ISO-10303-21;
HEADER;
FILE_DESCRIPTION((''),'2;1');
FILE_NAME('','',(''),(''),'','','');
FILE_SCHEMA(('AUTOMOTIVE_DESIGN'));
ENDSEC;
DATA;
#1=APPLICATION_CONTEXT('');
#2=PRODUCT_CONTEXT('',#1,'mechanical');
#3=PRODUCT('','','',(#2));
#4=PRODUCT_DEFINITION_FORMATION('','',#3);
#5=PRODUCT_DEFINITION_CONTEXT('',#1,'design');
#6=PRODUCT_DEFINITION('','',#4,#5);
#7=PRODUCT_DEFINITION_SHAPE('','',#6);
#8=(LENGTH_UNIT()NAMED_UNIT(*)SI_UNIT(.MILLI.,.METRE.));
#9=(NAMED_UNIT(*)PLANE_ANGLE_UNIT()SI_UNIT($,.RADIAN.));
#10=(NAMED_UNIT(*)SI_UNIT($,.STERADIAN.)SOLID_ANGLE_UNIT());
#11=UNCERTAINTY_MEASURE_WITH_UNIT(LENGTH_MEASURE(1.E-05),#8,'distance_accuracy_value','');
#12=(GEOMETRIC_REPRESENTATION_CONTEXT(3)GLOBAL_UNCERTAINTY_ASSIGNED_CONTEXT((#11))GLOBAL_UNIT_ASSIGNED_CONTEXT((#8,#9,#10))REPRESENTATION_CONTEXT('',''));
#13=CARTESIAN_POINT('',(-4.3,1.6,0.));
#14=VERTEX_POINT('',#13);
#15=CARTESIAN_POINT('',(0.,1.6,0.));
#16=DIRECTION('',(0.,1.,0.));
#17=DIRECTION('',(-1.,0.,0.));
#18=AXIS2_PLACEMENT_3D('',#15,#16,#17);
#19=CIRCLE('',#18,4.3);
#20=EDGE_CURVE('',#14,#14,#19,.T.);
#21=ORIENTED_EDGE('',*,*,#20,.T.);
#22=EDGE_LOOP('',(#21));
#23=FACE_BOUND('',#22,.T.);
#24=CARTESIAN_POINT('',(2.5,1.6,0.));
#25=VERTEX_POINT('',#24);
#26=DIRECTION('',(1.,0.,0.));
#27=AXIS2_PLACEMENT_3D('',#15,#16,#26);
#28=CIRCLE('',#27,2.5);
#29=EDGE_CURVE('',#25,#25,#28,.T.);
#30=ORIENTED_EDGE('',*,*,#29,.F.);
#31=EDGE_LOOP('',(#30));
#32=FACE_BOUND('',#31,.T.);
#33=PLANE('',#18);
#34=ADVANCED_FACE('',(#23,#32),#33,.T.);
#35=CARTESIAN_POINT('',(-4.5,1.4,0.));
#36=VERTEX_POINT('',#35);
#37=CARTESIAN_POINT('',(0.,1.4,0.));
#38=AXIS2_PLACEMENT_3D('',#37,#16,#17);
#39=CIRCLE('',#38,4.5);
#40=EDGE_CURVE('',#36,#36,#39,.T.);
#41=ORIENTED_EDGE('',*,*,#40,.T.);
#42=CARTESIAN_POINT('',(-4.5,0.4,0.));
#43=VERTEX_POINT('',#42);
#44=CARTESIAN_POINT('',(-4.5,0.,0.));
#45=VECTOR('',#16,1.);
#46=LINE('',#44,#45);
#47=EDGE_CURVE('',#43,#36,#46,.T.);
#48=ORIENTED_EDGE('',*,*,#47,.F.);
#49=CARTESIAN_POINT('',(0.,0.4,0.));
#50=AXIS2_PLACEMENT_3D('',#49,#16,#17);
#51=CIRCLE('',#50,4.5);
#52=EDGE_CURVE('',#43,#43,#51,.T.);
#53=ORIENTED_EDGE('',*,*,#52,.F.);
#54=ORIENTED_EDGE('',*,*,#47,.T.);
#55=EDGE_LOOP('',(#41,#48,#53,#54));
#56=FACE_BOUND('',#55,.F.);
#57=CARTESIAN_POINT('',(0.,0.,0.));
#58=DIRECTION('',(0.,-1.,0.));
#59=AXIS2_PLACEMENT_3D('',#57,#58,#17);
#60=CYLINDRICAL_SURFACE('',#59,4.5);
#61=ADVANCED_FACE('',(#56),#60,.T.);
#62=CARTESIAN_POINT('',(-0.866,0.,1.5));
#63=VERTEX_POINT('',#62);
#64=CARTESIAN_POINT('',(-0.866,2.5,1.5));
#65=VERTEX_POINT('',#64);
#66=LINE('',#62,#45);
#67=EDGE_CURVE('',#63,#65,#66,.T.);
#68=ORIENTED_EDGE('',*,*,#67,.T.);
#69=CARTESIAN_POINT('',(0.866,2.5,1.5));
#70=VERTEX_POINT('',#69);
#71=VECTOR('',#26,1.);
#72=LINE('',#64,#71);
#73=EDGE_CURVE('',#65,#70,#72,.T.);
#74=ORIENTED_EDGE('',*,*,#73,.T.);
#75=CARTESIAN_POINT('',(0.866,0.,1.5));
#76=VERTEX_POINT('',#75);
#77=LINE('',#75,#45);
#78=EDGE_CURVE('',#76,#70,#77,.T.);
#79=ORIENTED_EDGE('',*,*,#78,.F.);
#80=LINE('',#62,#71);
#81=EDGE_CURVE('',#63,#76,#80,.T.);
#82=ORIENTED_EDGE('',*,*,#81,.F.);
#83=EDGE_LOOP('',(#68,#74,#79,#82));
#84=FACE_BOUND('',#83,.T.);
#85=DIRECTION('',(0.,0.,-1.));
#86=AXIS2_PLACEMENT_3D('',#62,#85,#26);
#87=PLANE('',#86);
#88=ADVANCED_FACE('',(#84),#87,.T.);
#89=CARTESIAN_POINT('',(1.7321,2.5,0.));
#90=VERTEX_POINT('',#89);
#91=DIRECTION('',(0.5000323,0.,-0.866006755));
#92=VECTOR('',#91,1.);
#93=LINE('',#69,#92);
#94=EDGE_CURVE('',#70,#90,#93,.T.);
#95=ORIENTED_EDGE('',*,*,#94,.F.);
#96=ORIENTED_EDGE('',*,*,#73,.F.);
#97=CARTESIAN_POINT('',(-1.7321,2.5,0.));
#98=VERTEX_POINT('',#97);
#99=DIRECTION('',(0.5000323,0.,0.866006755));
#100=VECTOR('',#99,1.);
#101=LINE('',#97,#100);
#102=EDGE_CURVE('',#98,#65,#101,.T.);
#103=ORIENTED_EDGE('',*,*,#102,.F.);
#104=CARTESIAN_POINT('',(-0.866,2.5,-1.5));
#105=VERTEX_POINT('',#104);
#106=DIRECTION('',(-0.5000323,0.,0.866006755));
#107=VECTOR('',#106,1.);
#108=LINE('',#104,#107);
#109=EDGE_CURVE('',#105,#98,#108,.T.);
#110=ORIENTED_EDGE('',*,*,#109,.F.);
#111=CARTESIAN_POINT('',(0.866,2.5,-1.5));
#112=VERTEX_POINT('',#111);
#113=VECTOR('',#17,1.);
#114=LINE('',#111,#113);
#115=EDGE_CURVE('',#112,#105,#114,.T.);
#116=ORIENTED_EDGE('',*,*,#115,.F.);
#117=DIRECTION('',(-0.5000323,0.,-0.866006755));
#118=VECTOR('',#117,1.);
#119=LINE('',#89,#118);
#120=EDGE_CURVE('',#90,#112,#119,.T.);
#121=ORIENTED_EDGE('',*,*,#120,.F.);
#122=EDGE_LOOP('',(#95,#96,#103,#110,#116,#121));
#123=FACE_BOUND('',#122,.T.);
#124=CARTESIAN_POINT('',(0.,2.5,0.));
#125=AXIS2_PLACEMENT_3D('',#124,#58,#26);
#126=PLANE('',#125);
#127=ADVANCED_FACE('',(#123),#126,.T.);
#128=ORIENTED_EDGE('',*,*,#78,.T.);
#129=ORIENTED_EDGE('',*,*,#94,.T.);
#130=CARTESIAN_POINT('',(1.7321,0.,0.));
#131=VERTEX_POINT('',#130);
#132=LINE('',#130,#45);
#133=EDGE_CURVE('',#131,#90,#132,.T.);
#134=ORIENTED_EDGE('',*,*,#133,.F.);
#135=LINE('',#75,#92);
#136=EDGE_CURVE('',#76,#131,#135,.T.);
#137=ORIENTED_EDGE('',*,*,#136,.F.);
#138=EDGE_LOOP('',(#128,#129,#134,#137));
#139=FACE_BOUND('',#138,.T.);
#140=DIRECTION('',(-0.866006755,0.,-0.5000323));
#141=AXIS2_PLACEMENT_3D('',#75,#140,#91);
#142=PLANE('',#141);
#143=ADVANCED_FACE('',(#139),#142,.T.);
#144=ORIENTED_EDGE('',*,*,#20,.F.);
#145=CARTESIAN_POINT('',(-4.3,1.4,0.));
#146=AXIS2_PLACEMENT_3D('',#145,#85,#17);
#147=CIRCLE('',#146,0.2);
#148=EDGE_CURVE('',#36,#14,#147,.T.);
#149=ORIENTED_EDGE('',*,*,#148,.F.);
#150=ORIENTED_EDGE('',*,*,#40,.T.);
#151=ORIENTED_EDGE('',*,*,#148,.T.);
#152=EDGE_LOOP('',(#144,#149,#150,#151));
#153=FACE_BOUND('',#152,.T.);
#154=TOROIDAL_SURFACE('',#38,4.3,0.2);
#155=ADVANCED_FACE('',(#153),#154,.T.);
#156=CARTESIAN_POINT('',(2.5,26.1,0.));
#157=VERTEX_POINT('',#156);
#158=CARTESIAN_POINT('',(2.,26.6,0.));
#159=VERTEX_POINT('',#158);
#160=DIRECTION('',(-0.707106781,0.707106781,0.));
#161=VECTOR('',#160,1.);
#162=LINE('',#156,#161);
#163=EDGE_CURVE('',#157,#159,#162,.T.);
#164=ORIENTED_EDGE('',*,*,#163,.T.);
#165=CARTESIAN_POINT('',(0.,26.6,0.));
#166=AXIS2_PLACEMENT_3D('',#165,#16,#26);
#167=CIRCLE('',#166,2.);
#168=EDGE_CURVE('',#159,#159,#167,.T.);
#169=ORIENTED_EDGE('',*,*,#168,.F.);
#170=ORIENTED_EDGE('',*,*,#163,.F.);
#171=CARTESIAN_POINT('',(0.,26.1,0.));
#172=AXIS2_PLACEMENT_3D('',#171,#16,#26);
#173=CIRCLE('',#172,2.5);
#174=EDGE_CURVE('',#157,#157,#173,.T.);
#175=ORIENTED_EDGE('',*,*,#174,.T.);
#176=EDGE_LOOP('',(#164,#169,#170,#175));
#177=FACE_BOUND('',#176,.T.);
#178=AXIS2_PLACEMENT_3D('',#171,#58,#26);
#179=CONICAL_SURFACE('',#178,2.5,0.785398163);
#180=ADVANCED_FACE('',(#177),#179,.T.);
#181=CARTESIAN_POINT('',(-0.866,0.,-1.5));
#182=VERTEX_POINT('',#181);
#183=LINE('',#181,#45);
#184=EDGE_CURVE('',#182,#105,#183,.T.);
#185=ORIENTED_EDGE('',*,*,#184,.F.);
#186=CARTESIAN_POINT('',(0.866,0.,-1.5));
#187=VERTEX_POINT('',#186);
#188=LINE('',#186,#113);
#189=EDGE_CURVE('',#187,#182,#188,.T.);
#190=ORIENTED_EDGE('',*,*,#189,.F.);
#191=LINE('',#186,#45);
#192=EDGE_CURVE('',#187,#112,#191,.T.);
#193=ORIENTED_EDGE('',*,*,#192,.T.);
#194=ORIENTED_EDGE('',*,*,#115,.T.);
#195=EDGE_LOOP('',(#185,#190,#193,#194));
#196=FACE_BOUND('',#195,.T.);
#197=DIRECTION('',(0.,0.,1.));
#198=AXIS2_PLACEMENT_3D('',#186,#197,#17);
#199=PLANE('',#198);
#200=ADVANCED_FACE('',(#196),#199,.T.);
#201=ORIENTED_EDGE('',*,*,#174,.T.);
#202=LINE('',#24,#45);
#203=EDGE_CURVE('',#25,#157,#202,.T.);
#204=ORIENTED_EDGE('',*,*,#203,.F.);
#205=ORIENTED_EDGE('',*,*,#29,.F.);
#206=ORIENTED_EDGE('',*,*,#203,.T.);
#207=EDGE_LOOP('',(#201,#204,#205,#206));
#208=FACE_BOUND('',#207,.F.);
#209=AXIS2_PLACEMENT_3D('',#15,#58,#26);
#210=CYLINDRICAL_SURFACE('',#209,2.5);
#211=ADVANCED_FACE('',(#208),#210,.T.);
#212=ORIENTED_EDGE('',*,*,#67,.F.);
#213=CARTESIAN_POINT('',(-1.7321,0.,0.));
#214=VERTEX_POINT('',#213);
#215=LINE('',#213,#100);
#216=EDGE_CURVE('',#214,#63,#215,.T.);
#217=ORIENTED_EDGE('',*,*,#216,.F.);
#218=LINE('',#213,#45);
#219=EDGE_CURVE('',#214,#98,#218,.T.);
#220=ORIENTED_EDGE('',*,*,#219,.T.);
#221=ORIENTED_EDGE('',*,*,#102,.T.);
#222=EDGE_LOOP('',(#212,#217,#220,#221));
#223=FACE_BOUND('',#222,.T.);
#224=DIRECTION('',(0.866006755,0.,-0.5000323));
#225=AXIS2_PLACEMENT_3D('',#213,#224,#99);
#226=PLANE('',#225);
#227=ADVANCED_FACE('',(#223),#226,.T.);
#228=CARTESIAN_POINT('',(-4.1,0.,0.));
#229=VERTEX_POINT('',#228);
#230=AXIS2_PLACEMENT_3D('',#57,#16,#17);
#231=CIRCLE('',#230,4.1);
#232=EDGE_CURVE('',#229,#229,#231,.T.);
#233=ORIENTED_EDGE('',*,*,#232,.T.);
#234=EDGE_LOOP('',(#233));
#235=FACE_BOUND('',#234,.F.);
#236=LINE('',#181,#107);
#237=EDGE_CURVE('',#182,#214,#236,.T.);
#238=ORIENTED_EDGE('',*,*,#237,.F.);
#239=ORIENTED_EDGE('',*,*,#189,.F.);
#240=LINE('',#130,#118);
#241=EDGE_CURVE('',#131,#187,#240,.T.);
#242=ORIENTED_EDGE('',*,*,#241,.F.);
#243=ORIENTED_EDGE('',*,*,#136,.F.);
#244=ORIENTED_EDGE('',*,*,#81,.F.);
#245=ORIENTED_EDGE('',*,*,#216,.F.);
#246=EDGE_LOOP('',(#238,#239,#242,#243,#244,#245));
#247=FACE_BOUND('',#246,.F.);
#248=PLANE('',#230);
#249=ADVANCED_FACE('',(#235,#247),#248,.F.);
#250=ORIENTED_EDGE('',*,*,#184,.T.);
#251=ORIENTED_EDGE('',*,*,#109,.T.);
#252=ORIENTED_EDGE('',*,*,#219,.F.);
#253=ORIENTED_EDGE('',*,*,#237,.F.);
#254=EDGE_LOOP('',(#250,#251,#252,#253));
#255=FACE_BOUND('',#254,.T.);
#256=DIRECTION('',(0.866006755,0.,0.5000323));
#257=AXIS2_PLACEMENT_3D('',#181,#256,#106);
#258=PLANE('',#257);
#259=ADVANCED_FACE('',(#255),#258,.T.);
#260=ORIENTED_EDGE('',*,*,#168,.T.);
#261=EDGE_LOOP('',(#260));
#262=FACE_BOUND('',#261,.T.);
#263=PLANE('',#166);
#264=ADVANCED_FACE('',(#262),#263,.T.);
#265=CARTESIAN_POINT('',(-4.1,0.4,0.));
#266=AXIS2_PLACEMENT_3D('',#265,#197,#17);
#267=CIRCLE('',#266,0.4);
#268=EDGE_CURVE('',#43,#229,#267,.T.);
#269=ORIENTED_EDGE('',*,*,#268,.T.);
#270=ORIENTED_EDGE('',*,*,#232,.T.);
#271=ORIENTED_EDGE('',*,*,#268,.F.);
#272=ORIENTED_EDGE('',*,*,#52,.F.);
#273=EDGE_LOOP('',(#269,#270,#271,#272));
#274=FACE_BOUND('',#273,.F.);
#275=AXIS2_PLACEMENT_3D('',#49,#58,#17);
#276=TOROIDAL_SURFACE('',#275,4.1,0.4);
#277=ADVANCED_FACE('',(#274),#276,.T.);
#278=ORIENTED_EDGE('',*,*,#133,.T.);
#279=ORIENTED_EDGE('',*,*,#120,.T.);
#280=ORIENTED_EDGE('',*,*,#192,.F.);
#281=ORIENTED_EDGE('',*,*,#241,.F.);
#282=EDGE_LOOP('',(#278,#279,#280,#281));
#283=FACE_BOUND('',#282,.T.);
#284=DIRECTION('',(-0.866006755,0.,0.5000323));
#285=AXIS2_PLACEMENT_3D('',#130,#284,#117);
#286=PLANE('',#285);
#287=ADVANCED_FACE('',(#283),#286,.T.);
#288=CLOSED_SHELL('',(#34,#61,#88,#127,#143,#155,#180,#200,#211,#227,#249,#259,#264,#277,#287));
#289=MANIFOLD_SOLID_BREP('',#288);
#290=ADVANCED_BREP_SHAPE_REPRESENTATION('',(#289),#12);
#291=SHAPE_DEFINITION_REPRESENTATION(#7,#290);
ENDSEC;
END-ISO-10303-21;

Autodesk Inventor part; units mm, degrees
ref_plane "YZ Plane" through (0, 0, 0) normal (1, 0, 0) x (0, 1, 0)
ref_plane "XZ Plane" through (0, 0, 0) normal (0, 1, 0) x (-1, 0, 0)
ref_plane "XY Plane" through (0, 0, 0) normal (0, 0, 1) x (1, 0, 0)
sketch "Boceto1" plane through (0, 0, 0) normal (0, 1, 0) x (-1, 0, 0)
  circle A0 centre (0, 0) radius 4.5
  dimension "d0" = 9
extrude "Extrusión1" add sketch "Boceto1" along normal blind 1.6
sketch "Boceto2" plane through (0, 1.6, 0) normal (0, 1, 0) x (1, 0, 0)
  circle A0 centre (0, 0) radius 2.5
  dimension "d3" = 5
extrude "Extrusión2" add sketch "Boceto2" along normal blind 25
fillet "Empalme1" radius 0.4 1 edges at (4.5, 0, 0)
fillet "Empalme2" radius 0.2 1 edges at (4.5, 1.6, 0)
sketch "Boceto3" plane through (0, 0, 0) normal (0, -1, 0) x (1, 0, 0)
  line L0 (-1.7321, 0) -> (-0.866, 1.5)
  line L1 (-0.866, 1.5) -> (0.866, 1.5)
  line L2 (0.866, 1.5) -> (1.7321, 0)
  line L3 (1.7321, 0) -> (0.866, -1.5)
  line L4 (0.866, -1.5) -> (-0.866, -1.5)
  line L5 (-0.866, -1.5) -> (-1.7321, 0)
  point P0 (0, 0)
  point P1 (0, 0)
  dimension "d8" = 3
extrude "Extrusión3" cut sketch "Boceto3" against normal blind 2.5
chamfer "Chaflán1" distance 0.5 angle 45 1 edges at (-2.5, 26.6, 0)
thread "Rosca2" size "M5x0.8" class "6g" standard "ANSI Metric M Profile" length 23 offset 2
properties part number "Perno M5x8 cabeza plana" material "Hierro, gris"
